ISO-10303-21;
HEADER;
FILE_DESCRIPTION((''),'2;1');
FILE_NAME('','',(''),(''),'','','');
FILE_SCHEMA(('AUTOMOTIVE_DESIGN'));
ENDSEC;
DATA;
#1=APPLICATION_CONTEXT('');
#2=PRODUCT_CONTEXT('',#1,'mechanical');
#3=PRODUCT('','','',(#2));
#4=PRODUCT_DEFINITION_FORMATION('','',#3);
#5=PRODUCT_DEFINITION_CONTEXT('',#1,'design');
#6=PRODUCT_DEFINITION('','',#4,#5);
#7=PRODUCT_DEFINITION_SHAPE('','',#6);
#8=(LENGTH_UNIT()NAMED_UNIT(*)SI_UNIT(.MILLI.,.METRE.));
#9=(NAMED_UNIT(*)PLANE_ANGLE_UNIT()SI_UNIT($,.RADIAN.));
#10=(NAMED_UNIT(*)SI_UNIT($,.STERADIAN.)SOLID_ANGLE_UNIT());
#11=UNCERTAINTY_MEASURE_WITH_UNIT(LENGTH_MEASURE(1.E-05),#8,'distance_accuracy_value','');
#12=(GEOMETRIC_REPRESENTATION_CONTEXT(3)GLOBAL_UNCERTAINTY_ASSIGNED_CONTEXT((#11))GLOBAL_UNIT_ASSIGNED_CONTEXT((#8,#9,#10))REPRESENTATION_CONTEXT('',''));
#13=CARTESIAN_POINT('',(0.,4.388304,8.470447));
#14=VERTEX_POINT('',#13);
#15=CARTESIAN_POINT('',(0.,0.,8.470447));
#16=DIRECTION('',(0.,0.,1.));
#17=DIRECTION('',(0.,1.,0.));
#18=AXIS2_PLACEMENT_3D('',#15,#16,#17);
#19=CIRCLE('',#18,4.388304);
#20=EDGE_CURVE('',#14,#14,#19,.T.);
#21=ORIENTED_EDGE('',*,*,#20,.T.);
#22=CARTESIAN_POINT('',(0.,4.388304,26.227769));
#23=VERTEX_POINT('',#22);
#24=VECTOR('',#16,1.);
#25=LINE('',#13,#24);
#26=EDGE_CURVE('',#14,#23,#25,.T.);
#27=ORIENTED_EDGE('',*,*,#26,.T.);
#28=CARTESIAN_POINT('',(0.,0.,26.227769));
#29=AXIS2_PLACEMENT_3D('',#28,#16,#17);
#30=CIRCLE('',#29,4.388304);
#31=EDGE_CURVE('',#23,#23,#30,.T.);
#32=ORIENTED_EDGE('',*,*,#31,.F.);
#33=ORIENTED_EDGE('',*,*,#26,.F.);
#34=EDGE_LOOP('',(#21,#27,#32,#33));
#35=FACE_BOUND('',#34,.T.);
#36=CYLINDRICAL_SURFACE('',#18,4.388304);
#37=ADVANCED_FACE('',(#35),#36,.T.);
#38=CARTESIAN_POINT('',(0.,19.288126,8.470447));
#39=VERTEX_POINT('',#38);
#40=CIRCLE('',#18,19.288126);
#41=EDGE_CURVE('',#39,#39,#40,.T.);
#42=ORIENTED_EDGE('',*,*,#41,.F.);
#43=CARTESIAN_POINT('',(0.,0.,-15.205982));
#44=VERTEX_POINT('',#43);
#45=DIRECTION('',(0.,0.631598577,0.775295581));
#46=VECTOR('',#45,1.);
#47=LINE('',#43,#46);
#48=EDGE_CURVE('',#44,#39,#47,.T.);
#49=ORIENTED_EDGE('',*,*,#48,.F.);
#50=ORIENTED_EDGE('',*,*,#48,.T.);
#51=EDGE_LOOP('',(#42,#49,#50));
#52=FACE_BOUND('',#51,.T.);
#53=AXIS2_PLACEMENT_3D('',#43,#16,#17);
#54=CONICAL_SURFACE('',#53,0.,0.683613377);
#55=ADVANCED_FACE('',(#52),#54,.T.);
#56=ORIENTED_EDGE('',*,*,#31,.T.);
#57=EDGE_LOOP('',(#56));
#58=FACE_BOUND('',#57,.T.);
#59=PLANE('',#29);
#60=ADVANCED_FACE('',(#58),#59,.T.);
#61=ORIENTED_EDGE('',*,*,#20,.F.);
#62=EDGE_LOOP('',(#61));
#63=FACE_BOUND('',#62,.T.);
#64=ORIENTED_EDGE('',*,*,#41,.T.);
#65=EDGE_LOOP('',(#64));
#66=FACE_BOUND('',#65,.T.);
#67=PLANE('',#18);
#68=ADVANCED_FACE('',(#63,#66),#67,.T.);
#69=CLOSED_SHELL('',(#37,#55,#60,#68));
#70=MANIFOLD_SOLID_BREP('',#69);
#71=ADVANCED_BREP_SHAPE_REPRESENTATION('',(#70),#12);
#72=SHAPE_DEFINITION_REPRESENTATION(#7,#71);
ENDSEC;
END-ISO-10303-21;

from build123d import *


with BuildPart() as f1:
    # F0 (on Right) → F1 (revolve)
    with BuildSketch(Plane.YZ):
        Polygon((4.388304, 26.227769), (0, 26.227769), (0, -15.205982), (19.288126, 8.470447), (4.388304, 8.470447), align=None)
    revolve(axis=Axis((0, 0, 5.510893), (0, 0, 1)))


solid = f1.part
